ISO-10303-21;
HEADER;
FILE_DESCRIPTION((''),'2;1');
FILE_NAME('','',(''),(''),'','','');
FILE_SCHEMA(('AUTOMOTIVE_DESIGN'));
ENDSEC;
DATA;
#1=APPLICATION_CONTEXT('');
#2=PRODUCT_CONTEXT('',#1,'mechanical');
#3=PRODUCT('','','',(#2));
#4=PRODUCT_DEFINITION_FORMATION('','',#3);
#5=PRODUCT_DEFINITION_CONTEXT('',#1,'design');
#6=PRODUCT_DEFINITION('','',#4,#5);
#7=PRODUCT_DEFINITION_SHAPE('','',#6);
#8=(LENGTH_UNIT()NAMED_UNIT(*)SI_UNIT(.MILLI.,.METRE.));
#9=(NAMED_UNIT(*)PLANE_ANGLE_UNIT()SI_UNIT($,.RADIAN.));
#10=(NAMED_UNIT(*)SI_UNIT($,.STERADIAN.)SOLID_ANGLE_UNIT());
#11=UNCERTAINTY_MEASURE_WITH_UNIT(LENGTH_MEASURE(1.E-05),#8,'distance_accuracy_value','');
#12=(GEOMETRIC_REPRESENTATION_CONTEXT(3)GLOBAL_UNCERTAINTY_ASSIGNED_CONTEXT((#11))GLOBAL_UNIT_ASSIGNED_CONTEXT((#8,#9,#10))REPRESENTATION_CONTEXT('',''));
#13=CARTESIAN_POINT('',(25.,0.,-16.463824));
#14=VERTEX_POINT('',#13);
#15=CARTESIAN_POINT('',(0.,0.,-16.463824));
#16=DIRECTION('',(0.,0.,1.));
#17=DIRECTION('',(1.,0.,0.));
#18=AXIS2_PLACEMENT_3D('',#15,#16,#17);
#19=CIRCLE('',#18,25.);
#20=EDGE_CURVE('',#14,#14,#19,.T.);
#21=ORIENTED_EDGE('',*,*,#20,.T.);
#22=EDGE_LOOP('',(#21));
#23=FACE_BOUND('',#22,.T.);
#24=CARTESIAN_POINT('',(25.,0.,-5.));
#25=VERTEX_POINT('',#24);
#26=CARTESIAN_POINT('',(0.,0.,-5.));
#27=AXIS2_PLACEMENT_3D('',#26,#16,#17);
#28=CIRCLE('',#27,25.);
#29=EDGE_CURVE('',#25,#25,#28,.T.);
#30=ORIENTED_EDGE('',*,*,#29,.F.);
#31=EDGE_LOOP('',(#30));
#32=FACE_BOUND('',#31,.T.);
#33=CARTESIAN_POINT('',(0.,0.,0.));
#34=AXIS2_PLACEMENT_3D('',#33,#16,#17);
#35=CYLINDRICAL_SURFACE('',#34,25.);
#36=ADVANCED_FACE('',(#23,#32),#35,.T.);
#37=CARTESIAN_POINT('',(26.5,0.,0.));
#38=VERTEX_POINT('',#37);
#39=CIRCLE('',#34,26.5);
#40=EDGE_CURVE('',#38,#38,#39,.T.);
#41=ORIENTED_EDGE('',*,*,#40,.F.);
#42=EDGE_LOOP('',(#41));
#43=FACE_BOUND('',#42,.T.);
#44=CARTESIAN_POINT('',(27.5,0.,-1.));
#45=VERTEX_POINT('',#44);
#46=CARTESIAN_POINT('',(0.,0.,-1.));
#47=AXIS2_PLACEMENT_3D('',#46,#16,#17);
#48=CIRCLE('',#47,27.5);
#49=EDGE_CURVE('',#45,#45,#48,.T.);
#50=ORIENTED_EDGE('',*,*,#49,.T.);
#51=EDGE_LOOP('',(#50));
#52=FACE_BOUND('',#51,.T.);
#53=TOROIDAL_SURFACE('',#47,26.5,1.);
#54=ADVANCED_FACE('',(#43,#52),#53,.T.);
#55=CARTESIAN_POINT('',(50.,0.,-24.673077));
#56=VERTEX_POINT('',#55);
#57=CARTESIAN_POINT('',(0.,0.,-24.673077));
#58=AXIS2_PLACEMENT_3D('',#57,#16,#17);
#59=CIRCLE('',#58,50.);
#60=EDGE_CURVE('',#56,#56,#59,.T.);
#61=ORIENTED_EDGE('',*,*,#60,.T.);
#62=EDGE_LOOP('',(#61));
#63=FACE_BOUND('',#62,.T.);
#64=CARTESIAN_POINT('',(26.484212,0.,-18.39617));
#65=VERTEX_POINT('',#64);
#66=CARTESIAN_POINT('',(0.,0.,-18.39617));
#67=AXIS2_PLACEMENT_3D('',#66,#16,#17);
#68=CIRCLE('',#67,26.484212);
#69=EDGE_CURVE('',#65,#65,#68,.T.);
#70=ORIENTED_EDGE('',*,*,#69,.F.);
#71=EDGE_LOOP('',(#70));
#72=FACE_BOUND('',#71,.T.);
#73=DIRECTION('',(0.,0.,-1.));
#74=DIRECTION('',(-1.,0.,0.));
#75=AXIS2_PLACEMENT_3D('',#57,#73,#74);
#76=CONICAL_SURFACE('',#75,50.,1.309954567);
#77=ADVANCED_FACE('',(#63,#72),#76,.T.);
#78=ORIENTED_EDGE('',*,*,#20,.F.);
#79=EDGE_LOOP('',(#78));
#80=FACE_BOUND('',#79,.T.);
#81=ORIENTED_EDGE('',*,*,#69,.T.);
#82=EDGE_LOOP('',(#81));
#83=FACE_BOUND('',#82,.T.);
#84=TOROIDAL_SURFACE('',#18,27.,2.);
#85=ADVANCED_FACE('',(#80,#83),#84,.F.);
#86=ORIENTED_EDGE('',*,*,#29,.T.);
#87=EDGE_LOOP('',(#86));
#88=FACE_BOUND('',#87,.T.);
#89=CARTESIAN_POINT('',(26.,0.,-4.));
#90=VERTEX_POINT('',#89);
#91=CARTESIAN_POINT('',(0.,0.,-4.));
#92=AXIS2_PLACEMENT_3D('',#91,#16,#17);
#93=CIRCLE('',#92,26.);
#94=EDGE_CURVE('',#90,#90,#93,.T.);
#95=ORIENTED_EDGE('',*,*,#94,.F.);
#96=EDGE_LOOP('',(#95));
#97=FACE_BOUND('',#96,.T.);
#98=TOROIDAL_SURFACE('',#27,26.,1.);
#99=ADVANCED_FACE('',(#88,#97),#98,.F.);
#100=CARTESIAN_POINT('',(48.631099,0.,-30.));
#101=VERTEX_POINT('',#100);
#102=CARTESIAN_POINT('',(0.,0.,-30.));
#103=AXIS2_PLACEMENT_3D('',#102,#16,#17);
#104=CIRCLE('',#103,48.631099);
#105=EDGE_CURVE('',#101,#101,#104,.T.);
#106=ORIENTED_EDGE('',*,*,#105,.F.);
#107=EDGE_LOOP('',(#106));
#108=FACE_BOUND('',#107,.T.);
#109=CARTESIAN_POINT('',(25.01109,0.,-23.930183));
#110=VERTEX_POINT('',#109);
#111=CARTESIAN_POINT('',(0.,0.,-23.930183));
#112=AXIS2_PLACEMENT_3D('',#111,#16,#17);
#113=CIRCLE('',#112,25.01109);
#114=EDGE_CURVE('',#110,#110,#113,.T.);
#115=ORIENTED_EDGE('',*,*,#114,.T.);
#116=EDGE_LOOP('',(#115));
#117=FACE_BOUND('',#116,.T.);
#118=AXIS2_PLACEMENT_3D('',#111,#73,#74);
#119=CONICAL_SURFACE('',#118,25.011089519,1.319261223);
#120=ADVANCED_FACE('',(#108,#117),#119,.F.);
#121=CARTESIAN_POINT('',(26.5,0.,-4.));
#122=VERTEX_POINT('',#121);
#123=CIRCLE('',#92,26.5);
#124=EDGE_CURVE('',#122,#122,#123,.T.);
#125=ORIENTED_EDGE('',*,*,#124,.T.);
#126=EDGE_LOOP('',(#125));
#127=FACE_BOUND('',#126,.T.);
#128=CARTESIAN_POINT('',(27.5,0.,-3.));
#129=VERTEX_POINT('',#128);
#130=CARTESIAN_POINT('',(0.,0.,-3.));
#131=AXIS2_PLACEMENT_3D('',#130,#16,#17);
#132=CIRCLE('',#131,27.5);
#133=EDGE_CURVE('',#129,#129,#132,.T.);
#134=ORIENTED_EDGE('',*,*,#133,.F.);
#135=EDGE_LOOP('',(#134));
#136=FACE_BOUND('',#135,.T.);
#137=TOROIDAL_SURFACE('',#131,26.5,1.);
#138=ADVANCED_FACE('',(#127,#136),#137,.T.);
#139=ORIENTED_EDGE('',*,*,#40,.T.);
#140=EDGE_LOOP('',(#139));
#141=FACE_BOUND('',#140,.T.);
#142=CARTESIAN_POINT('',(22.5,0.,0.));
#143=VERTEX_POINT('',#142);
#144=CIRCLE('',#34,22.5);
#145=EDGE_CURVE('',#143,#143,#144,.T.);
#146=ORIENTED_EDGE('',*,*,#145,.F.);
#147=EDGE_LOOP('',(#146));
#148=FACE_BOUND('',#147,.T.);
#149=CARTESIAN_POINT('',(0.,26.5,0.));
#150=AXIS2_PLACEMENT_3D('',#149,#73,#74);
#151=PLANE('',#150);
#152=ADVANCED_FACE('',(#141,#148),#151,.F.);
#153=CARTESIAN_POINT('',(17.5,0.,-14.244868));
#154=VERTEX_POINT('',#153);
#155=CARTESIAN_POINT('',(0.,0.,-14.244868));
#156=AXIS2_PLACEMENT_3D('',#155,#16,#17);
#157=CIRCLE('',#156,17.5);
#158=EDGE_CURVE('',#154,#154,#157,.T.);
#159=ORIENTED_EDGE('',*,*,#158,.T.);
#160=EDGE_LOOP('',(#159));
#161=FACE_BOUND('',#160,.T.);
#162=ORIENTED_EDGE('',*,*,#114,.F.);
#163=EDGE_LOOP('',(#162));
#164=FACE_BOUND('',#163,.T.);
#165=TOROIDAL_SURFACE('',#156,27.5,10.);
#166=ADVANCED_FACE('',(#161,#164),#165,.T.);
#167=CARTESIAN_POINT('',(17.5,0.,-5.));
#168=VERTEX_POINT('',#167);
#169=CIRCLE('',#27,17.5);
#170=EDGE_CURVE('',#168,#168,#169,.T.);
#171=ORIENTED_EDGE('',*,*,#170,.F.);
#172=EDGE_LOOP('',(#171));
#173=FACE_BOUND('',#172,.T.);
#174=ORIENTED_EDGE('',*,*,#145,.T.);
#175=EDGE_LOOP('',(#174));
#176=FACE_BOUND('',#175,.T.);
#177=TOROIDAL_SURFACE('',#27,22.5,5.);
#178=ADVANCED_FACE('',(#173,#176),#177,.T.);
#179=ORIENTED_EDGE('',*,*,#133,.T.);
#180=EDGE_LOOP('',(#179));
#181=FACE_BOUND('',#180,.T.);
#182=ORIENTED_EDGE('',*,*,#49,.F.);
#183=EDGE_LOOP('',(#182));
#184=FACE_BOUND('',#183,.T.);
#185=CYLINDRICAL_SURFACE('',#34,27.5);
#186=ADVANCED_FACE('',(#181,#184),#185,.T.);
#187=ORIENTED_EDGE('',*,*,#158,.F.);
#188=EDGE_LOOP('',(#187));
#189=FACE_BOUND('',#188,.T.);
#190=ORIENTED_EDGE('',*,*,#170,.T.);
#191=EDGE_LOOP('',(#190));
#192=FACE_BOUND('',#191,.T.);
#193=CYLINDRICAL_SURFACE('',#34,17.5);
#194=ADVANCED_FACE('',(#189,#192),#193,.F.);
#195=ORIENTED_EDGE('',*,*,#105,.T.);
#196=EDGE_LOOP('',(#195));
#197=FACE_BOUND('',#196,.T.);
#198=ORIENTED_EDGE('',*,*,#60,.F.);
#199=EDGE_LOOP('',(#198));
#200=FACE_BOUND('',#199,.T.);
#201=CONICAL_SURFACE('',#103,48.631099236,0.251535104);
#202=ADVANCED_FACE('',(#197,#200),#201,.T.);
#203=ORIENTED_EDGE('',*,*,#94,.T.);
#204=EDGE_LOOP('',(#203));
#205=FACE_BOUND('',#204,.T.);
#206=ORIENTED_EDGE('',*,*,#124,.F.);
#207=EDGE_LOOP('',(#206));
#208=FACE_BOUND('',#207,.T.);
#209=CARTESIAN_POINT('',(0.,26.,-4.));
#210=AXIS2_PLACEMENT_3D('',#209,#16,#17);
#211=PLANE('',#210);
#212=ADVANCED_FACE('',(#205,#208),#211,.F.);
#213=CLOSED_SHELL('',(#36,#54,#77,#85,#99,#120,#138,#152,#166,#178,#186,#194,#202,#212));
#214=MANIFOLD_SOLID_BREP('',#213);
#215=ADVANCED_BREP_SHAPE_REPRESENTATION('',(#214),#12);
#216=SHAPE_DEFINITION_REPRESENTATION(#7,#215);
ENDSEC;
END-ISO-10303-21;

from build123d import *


with BuildPart() as part:
    # Sketch1 → Revolve1 (revolve)
    with BuildSketch(Plane(origin=(0, 0, 0), x_dir=(0, 0, -1), z_dir=(1, 0, 0)), mode=Mode.PRIVATE) as revolve1_sk:
        with BuildLine():
            Line((0, 26.5), (0, 22.5))
            ThreePointArc((0, 22.5), (1.464466094, 18.964466094), (5, 17.5))
            Line((5, 17.5), (14.244868029, 17.5))
            ThreePointArc((14.244868029, 17.5), (20.373117991, 19.597813442), (23.930182924, 25.011089519))
            Line((23.930182924, 25.011089519), (30, 48.631099236))
            Line((30, 48.631099236), (24.673076808, 50))
            Line((24.673076808, 50), (18.396170465, 26.484212143))
            ThreePointArc((18.396170465, 26.484212143), (17.68210645, 25.413876469), (16.463823993, 25))
            Line((16.463823993, 25), (5, 25))
            ThreePointArc((5, 25), (4.292893219, 25.292893219), (4, 26))
            Line((4, 26), (4, 26.5))
            ThreePointArc((4, 26.5), (3.707106781, 27.207106781), (3, 27.5))
            Line((3, 27.5), (1, 27.5))
            ThreePointArc((1, 27.5), (0.292893219, 27.207106781), (0, 26.5))
        make_face()
    revolve(revolve1_sk.sketch.rotate(Axis((0, 0, 0), (0, 0, -1)), 90), axis=Axis((0, 0, 0), (0, 0, -1)))


solid = part.part
